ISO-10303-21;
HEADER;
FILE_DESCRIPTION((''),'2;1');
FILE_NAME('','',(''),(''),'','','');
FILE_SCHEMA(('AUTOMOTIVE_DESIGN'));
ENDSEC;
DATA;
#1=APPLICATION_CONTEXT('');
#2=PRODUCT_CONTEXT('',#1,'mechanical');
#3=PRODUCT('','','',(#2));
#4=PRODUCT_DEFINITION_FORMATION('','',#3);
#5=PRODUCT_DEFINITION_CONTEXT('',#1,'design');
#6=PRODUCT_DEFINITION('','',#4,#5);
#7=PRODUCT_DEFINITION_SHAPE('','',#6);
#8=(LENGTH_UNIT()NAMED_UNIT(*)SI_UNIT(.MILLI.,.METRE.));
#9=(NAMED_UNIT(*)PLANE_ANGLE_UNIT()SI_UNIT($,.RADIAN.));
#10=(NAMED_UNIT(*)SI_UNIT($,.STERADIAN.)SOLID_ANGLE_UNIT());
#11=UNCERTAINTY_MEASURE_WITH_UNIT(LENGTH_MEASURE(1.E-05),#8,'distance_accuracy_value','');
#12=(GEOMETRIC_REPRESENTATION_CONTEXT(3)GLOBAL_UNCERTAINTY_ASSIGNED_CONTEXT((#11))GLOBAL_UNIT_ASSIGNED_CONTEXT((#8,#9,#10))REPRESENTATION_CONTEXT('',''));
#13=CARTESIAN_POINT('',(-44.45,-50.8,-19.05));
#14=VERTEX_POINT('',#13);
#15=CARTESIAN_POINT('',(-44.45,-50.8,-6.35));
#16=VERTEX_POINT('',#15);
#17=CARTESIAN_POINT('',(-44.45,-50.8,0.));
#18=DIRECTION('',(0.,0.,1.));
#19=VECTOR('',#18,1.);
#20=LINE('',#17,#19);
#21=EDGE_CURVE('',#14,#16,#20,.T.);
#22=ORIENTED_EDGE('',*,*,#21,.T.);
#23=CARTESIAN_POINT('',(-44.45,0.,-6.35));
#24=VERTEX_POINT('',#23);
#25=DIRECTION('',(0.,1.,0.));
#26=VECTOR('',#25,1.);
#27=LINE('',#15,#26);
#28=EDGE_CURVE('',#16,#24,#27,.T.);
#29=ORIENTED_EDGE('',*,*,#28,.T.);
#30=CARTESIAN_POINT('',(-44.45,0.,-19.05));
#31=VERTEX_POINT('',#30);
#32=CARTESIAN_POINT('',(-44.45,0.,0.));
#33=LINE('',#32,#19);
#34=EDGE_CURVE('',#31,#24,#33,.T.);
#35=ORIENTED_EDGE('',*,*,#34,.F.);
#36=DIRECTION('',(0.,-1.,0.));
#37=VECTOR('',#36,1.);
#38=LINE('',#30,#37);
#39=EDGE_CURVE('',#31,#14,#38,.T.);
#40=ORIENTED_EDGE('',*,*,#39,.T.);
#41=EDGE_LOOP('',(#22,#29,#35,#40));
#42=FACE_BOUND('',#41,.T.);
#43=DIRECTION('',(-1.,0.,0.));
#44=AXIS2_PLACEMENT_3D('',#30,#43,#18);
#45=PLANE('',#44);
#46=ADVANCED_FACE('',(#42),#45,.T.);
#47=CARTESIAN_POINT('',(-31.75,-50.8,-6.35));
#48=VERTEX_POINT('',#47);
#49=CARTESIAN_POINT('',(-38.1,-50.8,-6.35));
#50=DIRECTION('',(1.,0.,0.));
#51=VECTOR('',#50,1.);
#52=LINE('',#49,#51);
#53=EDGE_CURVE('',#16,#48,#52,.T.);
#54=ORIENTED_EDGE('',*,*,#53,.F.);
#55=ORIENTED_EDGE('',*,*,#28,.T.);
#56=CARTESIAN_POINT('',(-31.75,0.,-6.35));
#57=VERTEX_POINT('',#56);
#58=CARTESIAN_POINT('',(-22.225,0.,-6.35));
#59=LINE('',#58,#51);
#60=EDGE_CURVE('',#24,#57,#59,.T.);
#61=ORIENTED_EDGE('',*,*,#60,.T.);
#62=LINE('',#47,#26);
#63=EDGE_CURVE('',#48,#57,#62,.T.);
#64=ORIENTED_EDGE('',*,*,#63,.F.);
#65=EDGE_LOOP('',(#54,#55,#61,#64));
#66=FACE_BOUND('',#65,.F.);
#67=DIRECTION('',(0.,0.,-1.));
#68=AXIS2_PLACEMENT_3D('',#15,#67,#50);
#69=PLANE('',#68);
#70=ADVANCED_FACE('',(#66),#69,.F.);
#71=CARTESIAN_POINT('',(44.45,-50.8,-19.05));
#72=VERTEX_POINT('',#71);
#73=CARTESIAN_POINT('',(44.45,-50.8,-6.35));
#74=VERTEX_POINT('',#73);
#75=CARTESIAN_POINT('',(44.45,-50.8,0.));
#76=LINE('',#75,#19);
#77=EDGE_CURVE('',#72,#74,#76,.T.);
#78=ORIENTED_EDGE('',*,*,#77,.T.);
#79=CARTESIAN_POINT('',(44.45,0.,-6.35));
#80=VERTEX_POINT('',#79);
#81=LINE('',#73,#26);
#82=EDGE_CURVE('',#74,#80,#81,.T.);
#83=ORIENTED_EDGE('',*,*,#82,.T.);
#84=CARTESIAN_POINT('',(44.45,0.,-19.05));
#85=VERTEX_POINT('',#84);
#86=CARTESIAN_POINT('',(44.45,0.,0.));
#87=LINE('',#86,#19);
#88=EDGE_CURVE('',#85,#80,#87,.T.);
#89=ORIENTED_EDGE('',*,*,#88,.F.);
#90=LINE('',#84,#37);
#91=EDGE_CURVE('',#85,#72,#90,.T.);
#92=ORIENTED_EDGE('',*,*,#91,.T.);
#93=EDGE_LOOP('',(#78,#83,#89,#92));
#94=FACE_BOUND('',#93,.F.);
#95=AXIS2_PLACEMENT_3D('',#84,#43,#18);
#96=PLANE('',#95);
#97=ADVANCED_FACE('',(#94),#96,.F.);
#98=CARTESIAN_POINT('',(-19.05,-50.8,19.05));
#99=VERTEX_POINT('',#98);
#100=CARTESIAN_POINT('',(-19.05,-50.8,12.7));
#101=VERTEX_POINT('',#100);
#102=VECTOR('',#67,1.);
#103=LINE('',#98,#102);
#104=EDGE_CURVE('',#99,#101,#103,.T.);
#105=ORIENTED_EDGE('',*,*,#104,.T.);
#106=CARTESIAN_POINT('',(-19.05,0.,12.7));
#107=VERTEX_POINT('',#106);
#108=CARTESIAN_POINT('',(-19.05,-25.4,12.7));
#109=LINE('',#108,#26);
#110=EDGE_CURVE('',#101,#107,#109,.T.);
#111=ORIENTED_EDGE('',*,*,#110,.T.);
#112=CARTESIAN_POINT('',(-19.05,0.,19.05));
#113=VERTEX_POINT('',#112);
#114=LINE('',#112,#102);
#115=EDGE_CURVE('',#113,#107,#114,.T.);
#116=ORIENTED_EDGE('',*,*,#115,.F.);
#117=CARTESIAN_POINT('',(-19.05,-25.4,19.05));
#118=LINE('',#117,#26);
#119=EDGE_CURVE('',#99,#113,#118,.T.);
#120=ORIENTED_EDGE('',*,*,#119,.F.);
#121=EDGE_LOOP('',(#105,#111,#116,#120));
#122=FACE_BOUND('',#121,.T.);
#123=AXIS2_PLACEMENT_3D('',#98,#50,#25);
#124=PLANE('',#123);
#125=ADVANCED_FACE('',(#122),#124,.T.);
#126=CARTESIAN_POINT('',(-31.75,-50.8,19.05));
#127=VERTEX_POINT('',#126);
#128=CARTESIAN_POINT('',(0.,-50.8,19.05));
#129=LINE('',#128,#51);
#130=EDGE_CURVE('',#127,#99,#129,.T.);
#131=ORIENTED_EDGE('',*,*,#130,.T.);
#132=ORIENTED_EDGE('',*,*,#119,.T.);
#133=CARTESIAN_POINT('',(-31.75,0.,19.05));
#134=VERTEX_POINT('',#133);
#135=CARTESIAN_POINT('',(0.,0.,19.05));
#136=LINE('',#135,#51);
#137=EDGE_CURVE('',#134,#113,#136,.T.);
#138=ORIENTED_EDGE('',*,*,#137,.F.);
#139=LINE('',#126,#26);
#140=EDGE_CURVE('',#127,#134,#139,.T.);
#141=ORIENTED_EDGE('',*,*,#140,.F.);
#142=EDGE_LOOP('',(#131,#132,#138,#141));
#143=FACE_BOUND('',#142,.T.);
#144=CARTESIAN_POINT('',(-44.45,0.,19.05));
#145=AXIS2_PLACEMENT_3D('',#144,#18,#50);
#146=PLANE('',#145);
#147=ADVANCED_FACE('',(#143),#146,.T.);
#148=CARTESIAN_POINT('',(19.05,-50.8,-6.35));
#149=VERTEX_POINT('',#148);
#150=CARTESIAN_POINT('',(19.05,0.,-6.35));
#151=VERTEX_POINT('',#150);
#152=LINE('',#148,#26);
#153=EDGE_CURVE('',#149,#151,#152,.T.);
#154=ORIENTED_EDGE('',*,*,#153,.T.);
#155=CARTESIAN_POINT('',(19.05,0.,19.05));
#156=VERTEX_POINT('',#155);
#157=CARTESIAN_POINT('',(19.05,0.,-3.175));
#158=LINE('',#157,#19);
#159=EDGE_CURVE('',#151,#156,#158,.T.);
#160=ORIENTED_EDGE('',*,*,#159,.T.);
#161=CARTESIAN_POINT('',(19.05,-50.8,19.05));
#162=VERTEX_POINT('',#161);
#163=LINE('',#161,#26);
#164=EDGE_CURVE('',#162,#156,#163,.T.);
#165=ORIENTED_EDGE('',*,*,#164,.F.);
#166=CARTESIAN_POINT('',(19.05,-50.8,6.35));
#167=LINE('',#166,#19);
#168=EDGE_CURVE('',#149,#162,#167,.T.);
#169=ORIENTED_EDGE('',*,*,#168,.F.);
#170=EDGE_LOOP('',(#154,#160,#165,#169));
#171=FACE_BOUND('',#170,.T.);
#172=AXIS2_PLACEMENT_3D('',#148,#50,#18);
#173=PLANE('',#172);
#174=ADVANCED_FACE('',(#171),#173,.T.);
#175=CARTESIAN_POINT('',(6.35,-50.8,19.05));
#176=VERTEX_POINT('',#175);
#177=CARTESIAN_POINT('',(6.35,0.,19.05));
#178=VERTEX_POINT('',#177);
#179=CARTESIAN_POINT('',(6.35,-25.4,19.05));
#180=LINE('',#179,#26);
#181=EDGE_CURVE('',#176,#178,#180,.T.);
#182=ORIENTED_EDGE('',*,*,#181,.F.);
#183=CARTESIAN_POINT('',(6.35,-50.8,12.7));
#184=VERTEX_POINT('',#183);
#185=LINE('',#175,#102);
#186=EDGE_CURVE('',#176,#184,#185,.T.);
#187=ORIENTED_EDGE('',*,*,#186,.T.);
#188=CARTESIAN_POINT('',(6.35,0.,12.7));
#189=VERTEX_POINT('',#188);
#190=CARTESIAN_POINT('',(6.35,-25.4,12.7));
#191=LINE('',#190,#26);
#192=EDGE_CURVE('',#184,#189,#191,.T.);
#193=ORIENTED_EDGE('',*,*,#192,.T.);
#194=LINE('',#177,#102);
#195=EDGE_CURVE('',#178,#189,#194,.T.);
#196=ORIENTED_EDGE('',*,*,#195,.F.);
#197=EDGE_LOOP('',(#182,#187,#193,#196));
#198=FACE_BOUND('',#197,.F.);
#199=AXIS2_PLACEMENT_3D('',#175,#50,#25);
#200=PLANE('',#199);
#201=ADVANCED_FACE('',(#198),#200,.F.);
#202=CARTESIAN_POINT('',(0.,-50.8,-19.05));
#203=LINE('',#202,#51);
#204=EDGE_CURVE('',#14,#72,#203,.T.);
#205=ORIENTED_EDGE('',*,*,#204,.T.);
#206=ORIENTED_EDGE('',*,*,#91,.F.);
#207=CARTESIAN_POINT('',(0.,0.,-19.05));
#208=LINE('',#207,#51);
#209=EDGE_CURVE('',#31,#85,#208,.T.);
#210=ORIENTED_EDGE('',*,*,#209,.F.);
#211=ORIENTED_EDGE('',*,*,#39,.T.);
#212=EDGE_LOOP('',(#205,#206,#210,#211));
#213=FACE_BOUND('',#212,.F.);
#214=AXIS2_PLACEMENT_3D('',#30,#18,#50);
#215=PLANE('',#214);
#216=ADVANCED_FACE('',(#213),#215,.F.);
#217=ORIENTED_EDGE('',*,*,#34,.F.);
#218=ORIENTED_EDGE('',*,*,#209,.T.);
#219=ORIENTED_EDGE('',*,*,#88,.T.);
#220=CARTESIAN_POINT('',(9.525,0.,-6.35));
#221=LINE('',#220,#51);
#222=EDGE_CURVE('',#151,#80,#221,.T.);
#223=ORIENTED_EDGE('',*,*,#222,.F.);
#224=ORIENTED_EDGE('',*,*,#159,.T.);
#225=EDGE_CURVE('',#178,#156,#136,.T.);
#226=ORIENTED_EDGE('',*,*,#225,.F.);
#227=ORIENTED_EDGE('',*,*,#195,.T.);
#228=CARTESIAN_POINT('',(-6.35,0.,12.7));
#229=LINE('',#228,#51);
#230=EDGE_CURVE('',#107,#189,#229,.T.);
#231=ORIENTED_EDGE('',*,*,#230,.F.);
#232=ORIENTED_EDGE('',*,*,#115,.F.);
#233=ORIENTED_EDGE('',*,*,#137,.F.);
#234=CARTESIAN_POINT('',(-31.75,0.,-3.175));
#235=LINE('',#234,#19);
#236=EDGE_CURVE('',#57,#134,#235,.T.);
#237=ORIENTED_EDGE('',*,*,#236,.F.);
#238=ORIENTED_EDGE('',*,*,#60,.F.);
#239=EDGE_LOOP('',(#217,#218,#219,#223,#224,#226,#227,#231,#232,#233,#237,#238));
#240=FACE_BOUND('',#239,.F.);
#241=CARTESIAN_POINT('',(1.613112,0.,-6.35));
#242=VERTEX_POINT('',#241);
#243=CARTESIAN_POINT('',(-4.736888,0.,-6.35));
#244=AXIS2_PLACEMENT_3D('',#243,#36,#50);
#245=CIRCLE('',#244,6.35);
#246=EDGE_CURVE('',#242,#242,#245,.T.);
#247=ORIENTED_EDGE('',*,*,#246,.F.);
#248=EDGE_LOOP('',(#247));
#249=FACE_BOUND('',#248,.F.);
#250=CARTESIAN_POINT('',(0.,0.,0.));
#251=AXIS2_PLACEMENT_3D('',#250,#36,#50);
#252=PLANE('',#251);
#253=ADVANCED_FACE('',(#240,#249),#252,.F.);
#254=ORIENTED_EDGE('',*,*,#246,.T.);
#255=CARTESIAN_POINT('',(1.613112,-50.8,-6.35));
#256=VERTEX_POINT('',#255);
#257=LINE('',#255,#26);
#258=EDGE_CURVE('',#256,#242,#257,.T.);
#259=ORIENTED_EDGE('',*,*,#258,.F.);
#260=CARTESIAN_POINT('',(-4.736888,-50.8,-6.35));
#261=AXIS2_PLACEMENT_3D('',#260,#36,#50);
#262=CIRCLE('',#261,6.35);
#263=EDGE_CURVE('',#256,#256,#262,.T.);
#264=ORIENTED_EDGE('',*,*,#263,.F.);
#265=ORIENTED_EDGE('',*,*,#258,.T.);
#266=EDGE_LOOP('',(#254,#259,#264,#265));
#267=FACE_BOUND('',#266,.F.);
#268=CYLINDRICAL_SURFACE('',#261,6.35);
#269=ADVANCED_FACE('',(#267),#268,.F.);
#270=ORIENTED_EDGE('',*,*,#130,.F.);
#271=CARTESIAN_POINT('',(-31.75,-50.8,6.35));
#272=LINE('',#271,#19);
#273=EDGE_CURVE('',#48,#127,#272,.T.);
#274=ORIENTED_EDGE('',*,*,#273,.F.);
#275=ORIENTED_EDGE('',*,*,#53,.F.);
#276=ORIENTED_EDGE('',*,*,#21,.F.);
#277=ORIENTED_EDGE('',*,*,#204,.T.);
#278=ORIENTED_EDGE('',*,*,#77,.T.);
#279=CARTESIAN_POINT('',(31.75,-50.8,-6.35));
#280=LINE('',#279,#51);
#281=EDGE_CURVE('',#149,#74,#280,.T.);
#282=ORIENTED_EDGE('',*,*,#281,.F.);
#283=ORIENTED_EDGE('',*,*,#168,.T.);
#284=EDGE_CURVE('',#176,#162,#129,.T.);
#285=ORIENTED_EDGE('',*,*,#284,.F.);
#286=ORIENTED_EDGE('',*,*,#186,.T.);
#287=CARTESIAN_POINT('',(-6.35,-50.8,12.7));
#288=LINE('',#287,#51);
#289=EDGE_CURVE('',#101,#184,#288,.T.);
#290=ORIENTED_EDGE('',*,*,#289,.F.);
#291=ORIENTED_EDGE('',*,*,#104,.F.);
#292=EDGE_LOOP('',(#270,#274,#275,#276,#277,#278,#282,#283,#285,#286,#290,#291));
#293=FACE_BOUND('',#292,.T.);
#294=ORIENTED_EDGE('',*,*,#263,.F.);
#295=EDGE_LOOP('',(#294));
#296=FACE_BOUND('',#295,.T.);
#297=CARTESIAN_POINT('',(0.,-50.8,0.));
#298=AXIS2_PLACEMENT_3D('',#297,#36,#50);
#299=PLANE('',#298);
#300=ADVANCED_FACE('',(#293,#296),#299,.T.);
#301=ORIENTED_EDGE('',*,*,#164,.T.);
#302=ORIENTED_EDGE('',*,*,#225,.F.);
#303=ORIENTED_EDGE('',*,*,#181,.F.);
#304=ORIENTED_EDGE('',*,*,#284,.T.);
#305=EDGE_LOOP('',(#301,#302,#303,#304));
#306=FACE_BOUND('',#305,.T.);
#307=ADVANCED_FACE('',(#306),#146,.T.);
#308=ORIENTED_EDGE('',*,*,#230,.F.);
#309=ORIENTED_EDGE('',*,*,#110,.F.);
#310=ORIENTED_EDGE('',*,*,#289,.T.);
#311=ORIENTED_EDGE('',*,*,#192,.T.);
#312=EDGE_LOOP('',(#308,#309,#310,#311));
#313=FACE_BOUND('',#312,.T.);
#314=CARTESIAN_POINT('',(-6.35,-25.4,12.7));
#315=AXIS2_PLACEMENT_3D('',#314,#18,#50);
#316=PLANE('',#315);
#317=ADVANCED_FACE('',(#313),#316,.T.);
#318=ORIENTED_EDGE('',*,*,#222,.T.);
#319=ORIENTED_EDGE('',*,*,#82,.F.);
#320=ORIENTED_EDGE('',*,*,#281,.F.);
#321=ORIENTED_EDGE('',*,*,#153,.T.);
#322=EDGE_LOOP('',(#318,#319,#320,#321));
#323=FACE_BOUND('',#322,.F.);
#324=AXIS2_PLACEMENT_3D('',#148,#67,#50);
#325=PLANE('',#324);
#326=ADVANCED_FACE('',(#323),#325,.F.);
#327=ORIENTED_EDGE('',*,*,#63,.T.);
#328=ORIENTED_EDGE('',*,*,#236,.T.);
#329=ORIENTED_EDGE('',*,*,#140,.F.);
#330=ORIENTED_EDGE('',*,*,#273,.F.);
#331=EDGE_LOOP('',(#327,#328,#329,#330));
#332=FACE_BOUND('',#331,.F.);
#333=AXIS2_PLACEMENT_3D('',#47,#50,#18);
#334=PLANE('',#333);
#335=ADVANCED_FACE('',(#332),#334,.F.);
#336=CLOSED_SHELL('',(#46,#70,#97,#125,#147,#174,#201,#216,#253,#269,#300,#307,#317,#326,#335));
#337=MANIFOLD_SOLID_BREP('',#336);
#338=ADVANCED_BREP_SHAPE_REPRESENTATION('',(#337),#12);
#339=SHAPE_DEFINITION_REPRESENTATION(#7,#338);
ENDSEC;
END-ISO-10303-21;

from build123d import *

# Parameters (mm, degrees)
F0_W     = 88.9
F0_H     = 38.1
F1_DEPTH = 50.8
F2_W     = 12.7
F2_H     = 25.4
F3_DEPTH = 50.801
F4_W     = 25.4
F4_H     = 25.4
F5_DEPTH = 50.801
F6_R     = 6.35
F7_DEPTH = 50.801
F8_W     = 25.4
F8_H     = 50.8
F9_DEPTH = 6.35


with BuildPart() as f1:
    # F0 (on Front) → F1 (new body)
    with BuildSketch(Plane.XZ):
        Rectangle(F0_W, F0_H)
    extrude(amount=F1_DEPTH)

    # F2 (on face) → F3 (cut, through all)
    with BuildSketch(Plane.XZ.offset(50.8)):
        with Locations((-38.1, 6.35)):
            Rectangle(F2_W, F2_H)
    extrude(amount=-F3_DEPTH, mode=Mode.SUBTRACT)

    # F4 (on face) → F5 (cut, through all)
    with BuildSketch(Plane.XZ.offset(50.8)):
        with Locations((31.75, 6.35)):
            Rectangle(F4_W, F4_H)
    extrude(amount=-F5_DEPTH, mode=Mode.SUBTRACT)

    # F6 (on face) → F7 (cut, through all)
    with BuildSketch(Plane.XZ.offset(50.8)):
        with Locations((-4.736888, -6.35)):
            Circle(F6_R)
    extrude(amount=-F7_DEPTH, mode=Mode.SUBTRACT)

    # F8 (on face) → F9 (cut)
    with BuildSketch(Plane.XY.offset(19.05)):
        with Locations((-6.35, -25.4)):
            Rectangle(F8_W, F8_H)
    extrude(amount=-F9_DEPTH, mode=Mode.SUBTRACT)


solid = f1.part
